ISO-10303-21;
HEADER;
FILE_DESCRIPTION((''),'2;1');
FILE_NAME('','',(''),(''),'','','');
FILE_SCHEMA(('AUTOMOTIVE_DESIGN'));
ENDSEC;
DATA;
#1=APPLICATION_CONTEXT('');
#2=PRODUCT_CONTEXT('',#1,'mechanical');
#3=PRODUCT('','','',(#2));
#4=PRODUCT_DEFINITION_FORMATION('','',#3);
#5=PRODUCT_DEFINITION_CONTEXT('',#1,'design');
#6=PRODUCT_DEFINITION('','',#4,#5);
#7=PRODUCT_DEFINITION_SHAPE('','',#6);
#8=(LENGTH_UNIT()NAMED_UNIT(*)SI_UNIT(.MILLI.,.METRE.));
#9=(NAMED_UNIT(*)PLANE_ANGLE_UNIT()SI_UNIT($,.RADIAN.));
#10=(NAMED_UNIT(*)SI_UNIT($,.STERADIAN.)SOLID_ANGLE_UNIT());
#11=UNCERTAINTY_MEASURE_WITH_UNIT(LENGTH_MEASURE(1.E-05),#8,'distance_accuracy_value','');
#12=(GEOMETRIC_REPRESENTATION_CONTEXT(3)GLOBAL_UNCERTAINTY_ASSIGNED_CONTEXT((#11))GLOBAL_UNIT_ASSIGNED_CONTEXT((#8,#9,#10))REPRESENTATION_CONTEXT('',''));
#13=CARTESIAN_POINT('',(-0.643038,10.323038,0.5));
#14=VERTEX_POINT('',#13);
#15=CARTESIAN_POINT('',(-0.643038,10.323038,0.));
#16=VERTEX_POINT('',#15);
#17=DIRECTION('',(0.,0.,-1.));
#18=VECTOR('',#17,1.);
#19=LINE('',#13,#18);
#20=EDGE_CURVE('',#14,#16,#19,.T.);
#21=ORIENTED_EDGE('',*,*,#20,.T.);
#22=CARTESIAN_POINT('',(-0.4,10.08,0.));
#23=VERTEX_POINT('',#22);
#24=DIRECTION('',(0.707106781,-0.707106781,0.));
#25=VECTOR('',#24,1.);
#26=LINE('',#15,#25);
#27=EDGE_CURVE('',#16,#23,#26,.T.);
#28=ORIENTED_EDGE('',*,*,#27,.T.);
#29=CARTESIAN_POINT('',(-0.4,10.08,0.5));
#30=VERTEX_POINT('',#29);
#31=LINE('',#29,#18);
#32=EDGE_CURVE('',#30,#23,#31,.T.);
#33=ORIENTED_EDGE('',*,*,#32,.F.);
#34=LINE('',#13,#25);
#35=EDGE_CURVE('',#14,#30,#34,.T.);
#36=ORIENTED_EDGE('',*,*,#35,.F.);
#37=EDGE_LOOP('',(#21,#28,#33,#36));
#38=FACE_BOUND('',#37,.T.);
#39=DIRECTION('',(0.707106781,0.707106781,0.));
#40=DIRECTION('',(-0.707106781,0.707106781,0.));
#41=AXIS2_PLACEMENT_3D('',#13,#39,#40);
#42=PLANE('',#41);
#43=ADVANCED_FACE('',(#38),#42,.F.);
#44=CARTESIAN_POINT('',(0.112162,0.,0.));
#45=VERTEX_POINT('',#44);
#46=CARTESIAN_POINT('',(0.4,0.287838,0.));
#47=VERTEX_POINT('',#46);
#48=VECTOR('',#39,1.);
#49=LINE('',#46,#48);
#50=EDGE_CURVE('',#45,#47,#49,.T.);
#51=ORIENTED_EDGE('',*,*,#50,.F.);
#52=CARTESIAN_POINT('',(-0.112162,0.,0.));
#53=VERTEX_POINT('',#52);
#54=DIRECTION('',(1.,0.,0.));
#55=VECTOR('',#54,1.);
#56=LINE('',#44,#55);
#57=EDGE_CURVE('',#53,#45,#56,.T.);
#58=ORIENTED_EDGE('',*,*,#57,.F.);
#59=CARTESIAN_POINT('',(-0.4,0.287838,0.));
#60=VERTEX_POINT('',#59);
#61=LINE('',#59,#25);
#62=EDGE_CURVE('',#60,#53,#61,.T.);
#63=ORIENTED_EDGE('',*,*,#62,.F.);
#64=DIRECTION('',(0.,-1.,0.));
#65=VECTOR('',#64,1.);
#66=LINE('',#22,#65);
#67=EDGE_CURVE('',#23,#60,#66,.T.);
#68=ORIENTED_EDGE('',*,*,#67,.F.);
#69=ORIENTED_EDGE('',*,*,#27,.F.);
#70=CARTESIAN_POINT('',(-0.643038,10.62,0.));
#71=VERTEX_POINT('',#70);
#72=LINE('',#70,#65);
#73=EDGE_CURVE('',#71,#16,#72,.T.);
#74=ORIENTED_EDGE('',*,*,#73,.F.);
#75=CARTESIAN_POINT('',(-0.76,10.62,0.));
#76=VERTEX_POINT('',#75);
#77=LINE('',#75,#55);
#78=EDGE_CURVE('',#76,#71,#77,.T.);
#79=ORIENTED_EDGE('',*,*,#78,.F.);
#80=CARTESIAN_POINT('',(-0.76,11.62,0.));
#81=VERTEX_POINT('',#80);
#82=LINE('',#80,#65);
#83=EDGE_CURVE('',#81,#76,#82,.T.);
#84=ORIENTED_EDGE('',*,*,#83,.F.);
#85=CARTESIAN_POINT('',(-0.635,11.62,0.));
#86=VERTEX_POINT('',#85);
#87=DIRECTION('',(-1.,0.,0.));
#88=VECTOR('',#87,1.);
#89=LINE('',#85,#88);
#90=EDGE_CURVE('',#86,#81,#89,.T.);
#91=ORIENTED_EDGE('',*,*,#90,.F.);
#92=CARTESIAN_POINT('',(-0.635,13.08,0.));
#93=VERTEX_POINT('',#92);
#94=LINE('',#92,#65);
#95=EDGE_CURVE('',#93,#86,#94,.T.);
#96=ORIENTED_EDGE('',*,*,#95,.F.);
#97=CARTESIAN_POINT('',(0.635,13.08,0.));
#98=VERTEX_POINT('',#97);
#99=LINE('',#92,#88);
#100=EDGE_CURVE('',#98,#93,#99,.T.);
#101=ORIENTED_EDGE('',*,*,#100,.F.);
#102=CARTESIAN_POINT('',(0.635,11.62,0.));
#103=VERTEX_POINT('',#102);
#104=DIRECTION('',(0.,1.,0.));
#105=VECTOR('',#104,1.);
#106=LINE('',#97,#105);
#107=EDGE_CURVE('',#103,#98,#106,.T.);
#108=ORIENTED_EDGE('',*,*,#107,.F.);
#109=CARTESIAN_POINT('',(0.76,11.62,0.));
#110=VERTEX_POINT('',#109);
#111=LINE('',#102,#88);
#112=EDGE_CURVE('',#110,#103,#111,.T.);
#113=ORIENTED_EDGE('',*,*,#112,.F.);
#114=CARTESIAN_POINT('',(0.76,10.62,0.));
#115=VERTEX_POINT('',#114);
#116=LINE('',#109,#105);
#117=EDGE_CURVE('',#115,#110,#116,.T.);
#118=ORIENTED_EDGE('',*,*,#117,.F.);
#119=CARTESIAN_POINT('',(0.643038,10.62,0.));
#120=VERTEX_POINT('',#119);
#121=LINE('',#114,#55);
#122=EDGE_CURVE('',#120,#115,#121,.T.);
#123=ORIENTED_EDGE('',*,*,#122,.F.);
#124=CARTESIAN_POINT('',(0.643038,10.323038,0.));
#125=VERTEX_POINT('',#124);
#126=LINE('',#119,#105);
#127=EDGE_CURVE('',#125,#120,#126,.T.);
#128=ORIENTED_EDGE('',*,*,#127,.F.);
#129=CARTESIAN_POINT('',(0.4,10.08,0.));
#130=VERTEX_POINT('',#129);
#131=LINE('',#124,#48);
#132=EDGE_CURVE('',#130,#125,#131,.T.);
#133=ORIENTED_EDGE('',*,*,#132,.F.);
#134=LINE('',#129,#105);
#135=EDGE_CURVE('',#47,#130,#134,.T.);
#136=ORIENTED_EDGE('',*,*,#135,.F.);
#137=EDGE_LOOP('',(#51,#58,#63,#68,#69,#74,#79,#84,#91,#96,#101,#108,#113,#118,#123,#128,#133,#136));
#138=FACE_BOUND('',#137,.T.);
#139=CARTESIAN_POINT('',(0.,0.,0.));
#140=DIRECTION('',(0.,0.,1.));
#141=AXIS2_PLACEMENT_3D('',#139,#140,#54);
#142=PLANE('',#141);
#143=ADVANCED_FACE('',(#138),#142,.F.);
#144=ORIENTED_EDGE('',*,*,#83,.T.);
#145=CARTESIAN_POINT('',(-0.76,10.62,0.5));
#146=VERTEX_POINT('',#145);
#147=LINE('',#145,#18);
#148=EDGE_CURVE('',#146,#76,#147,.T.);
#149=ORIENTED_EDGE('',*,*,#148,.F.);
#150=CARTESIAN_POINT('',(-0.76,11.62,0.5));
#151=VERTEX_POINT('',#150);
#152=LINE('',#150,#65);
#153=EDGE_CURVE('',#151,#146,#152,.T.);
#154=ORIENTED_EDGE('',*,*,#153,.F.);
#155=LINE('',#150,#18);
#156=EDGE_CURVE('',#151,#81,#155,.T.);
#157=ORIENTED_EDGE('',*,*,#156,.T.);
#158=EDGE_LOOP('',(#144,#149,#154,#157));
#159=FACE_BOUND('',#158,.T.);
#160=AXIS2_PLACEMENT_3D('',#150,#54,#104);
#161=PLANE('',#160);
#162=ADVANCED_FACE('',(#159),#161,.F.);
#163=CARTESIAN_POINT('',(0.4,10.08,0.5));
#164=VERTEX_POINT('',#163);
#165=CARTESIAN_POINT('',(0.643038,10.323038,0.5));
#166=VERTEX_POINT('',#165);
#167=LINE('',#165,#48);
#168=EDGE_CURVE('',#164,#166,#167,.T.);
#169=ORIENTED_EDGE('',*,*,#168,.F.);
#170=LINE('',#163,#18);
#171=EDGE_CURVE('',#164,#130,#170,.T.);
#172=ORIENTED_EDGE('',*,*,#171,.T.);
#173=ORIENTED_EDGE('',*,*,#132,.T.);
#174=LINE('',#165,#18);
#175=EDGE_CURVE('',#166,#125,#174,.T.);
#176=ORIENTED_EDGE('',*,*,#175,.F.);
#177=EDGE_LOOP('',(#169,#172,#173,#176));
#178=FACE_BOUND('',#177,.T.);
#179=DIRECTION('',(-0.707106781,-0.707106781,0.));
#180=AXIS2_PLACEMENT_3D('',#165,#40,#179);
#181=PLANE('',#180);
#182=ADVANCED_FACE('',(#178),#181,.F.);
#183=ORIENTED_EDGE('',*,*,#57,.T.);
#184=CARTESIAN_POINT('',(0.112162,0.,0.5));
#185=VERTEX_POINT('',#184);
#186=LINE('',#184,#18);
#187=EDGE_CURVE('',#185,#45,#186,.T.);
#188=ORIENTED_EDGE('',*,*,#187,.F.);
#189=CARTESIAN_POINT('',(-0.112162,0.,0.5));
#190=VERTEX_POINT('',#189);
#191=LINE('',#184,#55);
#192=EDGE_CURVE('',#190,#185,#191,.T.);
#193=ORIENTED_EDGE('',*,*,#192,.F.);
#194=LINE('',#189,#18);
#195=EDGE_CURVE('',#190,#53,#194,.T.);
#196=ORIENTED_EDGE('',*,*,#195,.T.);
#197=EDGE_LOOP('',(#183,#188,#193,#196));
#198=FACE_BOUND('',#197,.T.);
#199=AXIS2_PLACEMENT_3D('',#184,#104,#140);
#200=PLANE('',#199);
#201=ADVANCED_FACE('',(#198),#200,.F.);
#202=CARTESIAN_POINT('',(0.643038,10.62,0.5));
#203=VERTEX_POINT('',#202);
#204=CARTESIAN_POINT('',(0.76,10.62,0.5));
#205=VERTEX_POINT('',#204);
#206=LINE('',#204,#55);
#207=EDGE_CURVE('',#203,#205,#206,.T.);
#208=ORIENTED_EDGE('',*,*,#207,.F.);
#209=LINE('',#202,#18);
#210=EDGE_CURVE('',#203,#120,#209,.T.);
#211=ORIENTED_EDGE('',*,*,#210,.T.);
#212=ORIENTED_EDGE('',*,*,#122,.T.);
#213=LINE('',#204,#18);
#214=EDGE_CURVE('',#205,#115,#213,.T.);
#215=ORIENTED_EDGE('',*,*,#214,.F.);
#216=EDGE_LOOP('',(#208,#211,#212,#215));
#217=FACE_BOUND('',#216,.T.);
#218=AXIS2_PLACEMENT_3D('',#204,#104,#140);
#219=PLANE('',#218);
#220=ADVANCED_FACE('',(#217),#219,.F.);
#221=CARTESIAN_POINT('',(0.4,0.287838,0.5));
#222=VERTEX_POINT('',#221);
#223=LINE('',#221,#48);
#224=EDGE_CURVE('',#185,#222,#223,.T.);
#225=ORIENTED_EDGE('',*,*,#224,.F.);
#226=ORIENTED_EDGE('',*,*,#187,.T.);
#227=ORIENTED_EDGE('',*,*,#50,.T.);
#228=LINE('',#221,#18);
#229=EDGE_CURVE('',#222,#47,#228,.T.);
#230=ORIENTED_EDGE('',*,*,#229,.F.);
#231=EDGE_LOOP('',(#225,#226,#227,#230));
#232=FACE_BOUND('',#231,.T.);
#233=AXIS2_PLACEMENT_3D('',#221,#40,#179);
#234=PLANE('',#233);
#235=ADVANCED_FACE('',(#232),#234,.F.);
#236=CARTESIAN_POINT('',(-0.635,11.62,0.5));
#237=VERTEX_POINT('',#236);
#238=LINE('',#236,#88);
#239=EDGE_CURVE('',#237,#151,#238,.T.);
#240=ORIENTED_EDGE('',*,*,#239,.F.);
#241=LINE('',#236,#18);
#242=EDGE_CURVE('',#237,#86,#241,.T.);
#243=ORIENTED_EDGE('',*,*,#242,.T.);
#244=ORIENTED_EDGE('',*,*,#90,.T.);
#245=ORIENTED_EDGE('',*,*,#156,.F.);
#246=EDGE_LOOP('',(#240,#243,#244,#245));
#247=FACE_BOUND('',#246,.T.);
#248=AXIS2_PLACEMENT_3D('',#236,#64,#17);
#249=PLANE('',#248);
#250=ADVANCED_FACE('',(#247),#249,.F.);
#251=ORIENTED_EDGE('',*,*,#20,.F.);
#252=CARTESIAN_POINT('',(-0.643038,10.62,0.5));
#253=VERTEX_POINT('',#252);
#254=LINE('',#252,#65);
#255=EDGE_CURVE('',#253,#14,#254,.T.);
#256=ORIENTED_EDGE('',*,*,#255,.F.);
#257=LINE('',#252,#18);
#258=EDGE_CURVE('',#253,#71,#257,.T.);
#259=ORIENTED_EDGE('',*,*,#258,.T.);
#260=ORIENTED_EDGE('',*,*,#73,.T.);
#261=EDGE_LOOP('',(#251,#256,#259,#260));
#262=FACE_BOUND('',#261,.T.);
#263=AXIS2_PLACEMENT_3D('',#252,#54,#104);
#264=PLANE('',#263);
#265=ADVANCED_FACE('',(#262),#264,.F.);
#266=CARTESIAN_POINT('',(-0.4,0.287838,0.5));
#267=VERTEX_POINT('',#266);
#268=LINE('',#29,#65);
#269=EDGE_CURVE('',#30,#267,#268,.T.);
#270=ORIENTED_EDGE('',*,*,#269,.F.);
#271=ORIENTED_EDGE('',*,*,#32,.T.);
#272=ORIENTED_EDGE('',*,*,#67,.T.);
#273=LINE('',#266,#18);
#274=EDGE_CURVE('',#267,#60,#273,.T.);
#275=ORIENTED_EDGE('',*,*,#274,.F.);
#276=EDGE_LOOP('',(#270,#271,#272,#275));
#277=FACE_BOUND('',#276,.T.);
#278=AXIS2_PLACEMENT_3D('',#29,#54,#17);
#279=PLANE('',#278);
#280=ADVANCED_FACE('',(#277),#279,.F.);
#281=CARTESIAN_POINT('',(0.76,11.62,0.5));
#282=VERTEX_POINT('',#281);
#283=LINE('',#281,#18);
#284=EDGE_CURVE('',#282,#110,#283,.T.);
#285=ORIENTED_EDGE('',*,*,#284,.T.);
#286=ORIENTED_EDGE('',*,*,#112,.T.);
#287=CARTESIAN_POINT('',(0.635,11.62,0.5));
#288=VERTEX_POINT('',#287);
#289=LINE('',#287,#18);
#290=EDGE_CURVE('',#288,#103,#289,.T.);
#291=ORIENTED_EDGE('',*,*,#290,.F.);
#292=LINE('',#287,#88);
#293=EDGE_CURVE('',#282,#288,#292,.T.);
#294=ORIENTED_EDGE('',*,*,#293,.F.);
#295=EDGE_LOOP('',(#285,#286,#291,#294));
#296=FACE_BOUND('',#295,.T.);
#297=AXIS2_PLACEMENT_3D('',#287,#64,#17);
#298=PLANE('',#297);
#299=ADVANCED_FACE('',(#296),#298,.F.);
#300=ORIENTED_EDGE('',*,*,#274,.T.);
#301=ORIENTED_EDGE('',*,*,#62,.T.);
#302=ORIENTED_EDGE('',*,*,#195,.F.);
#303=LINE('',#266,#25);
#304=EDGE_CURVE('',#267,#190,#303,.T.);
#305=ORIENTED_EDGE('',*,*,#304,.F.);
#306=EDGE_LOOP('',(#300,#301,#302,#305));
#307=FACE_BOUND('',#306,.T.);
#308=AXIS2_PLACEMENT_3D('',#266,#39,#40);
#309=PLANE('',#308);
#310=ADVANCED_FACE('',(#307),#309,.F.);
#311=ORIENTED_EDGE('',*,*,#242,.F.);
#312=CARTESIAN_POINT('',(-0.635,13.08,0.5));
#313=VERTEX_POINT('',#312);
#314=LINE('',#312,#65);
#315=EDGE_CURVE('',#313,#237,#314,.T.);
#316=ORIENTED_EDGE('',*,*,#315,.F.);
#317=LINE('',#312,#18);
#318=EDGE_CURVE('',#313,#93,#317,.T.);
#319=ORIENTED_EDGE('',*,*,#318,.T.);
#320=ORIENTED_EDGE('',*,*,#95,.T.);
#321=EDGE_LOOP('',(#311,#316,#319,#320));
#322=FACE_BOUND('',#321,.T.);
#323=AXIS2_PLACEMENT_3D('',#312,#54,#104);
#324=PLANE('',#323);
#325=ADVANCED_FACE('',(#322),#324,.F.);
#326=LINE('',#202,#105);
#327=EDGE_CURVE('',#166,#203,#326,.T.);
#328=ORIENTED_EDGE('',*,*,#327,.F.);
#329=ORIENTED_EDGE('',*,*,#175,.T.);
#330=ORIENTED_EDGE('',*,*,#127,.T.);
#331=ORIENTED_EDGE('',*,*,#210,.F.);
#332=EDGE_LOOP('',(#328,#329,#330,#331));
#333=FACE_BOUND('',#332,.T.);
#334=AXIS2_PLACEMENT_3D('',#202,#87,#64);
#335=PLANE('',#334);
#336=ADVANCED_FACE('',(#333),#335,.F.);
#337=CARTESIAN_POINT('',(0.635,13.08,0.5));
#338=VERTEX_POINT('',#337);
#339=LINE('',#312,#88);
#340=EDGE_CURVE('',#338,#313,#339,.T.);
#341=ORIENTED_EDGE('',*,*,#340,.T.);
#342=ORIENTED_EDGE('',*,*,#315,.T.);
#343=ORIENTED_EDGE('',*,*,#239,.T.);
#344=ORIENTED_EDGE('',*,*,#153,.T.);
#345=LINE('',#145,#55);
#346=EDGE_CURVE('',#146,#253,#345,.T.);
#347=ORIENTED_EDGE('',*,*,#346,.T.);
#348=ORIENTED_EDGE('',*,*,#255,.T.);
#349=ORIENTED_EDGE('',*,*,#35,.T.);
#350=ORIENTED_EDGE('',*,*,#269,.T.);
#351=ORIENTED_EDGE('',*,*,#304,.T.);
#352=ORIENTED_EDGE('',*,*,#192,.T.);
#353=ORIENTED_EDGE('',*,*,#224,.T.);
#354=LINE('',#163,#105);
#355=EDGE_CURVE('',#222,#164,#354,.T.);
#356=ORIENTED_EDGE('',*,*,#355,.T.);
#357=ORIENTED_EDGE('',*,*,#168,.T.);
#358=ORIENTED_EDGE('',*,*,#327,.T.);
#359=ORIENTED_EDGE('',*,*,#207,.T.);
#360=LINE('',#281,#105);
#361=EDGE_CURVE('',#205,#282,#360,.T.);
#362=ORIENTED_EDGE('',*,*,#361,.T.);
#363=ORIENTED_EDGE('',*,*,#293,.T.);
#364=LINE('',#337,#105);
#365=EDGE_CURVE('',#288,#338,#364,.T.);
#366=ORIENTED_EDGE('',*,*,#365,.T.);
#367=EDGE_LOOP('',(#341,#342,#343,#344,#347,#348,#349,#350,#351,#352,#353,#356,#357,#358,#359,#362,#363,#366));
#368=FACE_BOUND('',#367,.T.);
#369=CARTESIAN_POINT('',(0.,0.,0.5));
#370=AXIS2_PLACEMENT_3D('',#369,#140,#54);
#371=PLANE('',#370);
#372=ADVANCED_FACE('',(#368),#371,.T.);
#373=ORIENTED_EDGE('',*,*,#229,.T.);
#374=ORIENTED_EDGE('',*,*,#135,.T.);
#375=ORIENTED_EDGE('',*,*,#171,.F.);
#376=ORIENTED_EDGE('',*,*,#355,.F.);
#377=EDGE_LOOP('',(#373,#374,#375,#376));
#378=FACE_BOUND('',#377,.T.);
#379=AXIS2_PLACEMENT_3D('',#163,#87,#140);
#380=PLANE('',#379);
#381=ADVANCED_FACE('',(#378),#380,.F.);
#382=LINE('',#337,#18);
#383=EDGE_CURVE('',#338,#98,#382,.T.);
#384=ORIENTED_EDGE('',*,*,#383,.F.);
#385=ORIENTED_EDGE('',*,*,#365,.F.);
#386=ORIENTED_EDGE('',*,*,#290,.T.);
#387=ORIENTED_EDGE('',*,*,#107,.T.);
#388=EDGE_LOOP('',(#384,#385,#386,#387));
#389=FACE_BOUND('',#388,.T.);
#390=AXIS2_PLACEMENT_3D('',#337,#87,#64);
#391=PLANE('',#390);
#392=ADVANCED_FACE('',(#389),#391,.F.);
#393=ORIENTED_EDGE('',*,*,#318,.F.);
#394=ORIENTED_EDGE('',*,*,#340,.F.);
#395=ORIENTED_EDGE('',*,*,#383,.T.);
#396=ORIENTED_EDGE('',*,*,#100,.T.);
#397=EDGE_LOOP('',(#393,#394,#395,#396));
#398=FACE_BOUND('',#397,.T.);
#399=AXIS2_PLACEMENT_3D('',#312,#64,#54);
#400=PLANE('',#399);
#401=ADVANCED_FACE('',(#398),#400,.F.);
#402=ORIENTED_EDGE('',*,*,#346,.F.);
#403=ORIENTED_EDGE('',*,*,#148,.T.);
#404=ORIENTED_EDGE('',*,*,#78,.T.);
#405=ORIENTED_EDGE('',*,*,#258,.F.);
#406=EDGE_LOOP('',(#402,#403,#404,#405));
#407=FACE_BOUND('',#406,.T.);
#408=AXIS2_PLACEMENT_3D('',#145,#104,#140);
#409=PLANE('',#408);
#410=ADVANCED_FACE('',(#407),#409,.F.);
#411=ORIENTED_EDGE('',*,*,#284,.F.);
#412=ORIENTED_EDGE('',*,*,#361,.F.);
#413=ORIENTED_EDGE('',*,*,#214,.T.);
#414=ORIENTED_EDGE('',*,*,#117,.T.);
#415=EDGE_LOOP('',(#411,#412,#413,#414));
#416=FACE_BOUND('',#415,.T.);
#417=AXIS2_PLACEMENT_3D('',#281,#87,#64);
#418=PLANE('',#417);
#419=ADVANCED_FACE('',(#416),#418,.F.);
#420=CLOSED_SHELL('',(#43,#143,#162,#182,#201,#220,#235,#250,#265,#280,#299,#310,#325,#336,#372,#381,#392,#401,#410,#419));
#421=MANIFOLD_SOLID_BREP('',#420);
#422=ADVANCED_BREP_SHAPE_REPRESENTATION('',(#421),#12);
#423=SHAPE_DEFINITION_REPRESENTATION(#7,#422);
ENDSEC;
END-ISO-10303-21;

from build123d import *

# Parameters (mm, degrees)
BOSS_EXTRUDE1_DEPTH = 0.5


with BuildPart() as part:
    # Sketch1 → Boss-Extrude1 (new body)
    with BuildSketch(Plane.XY):
        Polygon((-0.635, 13.08), (0.635, 13.08), (0.635, 11.62), (0.76, 11.62), (0.76, 10.62), (0.643038214, 10.62), (0.643038214, 10.323038214), (0.4, 10.08), (0.4, 0.287838255), (0.112161745, 0), (-0.112161745, 0), (-0.4, 0.287838255), (-0.4, 10.08), (-0.643038214, 10.323038214), (-0.643038214, 10.62), (-0.76, 10.62), (-0.76, 11.62), (-0.635, 11.62), align=None)
    extrude(amount=BOSS_EXTRUDE1_DEPTH)


solid = part.part
